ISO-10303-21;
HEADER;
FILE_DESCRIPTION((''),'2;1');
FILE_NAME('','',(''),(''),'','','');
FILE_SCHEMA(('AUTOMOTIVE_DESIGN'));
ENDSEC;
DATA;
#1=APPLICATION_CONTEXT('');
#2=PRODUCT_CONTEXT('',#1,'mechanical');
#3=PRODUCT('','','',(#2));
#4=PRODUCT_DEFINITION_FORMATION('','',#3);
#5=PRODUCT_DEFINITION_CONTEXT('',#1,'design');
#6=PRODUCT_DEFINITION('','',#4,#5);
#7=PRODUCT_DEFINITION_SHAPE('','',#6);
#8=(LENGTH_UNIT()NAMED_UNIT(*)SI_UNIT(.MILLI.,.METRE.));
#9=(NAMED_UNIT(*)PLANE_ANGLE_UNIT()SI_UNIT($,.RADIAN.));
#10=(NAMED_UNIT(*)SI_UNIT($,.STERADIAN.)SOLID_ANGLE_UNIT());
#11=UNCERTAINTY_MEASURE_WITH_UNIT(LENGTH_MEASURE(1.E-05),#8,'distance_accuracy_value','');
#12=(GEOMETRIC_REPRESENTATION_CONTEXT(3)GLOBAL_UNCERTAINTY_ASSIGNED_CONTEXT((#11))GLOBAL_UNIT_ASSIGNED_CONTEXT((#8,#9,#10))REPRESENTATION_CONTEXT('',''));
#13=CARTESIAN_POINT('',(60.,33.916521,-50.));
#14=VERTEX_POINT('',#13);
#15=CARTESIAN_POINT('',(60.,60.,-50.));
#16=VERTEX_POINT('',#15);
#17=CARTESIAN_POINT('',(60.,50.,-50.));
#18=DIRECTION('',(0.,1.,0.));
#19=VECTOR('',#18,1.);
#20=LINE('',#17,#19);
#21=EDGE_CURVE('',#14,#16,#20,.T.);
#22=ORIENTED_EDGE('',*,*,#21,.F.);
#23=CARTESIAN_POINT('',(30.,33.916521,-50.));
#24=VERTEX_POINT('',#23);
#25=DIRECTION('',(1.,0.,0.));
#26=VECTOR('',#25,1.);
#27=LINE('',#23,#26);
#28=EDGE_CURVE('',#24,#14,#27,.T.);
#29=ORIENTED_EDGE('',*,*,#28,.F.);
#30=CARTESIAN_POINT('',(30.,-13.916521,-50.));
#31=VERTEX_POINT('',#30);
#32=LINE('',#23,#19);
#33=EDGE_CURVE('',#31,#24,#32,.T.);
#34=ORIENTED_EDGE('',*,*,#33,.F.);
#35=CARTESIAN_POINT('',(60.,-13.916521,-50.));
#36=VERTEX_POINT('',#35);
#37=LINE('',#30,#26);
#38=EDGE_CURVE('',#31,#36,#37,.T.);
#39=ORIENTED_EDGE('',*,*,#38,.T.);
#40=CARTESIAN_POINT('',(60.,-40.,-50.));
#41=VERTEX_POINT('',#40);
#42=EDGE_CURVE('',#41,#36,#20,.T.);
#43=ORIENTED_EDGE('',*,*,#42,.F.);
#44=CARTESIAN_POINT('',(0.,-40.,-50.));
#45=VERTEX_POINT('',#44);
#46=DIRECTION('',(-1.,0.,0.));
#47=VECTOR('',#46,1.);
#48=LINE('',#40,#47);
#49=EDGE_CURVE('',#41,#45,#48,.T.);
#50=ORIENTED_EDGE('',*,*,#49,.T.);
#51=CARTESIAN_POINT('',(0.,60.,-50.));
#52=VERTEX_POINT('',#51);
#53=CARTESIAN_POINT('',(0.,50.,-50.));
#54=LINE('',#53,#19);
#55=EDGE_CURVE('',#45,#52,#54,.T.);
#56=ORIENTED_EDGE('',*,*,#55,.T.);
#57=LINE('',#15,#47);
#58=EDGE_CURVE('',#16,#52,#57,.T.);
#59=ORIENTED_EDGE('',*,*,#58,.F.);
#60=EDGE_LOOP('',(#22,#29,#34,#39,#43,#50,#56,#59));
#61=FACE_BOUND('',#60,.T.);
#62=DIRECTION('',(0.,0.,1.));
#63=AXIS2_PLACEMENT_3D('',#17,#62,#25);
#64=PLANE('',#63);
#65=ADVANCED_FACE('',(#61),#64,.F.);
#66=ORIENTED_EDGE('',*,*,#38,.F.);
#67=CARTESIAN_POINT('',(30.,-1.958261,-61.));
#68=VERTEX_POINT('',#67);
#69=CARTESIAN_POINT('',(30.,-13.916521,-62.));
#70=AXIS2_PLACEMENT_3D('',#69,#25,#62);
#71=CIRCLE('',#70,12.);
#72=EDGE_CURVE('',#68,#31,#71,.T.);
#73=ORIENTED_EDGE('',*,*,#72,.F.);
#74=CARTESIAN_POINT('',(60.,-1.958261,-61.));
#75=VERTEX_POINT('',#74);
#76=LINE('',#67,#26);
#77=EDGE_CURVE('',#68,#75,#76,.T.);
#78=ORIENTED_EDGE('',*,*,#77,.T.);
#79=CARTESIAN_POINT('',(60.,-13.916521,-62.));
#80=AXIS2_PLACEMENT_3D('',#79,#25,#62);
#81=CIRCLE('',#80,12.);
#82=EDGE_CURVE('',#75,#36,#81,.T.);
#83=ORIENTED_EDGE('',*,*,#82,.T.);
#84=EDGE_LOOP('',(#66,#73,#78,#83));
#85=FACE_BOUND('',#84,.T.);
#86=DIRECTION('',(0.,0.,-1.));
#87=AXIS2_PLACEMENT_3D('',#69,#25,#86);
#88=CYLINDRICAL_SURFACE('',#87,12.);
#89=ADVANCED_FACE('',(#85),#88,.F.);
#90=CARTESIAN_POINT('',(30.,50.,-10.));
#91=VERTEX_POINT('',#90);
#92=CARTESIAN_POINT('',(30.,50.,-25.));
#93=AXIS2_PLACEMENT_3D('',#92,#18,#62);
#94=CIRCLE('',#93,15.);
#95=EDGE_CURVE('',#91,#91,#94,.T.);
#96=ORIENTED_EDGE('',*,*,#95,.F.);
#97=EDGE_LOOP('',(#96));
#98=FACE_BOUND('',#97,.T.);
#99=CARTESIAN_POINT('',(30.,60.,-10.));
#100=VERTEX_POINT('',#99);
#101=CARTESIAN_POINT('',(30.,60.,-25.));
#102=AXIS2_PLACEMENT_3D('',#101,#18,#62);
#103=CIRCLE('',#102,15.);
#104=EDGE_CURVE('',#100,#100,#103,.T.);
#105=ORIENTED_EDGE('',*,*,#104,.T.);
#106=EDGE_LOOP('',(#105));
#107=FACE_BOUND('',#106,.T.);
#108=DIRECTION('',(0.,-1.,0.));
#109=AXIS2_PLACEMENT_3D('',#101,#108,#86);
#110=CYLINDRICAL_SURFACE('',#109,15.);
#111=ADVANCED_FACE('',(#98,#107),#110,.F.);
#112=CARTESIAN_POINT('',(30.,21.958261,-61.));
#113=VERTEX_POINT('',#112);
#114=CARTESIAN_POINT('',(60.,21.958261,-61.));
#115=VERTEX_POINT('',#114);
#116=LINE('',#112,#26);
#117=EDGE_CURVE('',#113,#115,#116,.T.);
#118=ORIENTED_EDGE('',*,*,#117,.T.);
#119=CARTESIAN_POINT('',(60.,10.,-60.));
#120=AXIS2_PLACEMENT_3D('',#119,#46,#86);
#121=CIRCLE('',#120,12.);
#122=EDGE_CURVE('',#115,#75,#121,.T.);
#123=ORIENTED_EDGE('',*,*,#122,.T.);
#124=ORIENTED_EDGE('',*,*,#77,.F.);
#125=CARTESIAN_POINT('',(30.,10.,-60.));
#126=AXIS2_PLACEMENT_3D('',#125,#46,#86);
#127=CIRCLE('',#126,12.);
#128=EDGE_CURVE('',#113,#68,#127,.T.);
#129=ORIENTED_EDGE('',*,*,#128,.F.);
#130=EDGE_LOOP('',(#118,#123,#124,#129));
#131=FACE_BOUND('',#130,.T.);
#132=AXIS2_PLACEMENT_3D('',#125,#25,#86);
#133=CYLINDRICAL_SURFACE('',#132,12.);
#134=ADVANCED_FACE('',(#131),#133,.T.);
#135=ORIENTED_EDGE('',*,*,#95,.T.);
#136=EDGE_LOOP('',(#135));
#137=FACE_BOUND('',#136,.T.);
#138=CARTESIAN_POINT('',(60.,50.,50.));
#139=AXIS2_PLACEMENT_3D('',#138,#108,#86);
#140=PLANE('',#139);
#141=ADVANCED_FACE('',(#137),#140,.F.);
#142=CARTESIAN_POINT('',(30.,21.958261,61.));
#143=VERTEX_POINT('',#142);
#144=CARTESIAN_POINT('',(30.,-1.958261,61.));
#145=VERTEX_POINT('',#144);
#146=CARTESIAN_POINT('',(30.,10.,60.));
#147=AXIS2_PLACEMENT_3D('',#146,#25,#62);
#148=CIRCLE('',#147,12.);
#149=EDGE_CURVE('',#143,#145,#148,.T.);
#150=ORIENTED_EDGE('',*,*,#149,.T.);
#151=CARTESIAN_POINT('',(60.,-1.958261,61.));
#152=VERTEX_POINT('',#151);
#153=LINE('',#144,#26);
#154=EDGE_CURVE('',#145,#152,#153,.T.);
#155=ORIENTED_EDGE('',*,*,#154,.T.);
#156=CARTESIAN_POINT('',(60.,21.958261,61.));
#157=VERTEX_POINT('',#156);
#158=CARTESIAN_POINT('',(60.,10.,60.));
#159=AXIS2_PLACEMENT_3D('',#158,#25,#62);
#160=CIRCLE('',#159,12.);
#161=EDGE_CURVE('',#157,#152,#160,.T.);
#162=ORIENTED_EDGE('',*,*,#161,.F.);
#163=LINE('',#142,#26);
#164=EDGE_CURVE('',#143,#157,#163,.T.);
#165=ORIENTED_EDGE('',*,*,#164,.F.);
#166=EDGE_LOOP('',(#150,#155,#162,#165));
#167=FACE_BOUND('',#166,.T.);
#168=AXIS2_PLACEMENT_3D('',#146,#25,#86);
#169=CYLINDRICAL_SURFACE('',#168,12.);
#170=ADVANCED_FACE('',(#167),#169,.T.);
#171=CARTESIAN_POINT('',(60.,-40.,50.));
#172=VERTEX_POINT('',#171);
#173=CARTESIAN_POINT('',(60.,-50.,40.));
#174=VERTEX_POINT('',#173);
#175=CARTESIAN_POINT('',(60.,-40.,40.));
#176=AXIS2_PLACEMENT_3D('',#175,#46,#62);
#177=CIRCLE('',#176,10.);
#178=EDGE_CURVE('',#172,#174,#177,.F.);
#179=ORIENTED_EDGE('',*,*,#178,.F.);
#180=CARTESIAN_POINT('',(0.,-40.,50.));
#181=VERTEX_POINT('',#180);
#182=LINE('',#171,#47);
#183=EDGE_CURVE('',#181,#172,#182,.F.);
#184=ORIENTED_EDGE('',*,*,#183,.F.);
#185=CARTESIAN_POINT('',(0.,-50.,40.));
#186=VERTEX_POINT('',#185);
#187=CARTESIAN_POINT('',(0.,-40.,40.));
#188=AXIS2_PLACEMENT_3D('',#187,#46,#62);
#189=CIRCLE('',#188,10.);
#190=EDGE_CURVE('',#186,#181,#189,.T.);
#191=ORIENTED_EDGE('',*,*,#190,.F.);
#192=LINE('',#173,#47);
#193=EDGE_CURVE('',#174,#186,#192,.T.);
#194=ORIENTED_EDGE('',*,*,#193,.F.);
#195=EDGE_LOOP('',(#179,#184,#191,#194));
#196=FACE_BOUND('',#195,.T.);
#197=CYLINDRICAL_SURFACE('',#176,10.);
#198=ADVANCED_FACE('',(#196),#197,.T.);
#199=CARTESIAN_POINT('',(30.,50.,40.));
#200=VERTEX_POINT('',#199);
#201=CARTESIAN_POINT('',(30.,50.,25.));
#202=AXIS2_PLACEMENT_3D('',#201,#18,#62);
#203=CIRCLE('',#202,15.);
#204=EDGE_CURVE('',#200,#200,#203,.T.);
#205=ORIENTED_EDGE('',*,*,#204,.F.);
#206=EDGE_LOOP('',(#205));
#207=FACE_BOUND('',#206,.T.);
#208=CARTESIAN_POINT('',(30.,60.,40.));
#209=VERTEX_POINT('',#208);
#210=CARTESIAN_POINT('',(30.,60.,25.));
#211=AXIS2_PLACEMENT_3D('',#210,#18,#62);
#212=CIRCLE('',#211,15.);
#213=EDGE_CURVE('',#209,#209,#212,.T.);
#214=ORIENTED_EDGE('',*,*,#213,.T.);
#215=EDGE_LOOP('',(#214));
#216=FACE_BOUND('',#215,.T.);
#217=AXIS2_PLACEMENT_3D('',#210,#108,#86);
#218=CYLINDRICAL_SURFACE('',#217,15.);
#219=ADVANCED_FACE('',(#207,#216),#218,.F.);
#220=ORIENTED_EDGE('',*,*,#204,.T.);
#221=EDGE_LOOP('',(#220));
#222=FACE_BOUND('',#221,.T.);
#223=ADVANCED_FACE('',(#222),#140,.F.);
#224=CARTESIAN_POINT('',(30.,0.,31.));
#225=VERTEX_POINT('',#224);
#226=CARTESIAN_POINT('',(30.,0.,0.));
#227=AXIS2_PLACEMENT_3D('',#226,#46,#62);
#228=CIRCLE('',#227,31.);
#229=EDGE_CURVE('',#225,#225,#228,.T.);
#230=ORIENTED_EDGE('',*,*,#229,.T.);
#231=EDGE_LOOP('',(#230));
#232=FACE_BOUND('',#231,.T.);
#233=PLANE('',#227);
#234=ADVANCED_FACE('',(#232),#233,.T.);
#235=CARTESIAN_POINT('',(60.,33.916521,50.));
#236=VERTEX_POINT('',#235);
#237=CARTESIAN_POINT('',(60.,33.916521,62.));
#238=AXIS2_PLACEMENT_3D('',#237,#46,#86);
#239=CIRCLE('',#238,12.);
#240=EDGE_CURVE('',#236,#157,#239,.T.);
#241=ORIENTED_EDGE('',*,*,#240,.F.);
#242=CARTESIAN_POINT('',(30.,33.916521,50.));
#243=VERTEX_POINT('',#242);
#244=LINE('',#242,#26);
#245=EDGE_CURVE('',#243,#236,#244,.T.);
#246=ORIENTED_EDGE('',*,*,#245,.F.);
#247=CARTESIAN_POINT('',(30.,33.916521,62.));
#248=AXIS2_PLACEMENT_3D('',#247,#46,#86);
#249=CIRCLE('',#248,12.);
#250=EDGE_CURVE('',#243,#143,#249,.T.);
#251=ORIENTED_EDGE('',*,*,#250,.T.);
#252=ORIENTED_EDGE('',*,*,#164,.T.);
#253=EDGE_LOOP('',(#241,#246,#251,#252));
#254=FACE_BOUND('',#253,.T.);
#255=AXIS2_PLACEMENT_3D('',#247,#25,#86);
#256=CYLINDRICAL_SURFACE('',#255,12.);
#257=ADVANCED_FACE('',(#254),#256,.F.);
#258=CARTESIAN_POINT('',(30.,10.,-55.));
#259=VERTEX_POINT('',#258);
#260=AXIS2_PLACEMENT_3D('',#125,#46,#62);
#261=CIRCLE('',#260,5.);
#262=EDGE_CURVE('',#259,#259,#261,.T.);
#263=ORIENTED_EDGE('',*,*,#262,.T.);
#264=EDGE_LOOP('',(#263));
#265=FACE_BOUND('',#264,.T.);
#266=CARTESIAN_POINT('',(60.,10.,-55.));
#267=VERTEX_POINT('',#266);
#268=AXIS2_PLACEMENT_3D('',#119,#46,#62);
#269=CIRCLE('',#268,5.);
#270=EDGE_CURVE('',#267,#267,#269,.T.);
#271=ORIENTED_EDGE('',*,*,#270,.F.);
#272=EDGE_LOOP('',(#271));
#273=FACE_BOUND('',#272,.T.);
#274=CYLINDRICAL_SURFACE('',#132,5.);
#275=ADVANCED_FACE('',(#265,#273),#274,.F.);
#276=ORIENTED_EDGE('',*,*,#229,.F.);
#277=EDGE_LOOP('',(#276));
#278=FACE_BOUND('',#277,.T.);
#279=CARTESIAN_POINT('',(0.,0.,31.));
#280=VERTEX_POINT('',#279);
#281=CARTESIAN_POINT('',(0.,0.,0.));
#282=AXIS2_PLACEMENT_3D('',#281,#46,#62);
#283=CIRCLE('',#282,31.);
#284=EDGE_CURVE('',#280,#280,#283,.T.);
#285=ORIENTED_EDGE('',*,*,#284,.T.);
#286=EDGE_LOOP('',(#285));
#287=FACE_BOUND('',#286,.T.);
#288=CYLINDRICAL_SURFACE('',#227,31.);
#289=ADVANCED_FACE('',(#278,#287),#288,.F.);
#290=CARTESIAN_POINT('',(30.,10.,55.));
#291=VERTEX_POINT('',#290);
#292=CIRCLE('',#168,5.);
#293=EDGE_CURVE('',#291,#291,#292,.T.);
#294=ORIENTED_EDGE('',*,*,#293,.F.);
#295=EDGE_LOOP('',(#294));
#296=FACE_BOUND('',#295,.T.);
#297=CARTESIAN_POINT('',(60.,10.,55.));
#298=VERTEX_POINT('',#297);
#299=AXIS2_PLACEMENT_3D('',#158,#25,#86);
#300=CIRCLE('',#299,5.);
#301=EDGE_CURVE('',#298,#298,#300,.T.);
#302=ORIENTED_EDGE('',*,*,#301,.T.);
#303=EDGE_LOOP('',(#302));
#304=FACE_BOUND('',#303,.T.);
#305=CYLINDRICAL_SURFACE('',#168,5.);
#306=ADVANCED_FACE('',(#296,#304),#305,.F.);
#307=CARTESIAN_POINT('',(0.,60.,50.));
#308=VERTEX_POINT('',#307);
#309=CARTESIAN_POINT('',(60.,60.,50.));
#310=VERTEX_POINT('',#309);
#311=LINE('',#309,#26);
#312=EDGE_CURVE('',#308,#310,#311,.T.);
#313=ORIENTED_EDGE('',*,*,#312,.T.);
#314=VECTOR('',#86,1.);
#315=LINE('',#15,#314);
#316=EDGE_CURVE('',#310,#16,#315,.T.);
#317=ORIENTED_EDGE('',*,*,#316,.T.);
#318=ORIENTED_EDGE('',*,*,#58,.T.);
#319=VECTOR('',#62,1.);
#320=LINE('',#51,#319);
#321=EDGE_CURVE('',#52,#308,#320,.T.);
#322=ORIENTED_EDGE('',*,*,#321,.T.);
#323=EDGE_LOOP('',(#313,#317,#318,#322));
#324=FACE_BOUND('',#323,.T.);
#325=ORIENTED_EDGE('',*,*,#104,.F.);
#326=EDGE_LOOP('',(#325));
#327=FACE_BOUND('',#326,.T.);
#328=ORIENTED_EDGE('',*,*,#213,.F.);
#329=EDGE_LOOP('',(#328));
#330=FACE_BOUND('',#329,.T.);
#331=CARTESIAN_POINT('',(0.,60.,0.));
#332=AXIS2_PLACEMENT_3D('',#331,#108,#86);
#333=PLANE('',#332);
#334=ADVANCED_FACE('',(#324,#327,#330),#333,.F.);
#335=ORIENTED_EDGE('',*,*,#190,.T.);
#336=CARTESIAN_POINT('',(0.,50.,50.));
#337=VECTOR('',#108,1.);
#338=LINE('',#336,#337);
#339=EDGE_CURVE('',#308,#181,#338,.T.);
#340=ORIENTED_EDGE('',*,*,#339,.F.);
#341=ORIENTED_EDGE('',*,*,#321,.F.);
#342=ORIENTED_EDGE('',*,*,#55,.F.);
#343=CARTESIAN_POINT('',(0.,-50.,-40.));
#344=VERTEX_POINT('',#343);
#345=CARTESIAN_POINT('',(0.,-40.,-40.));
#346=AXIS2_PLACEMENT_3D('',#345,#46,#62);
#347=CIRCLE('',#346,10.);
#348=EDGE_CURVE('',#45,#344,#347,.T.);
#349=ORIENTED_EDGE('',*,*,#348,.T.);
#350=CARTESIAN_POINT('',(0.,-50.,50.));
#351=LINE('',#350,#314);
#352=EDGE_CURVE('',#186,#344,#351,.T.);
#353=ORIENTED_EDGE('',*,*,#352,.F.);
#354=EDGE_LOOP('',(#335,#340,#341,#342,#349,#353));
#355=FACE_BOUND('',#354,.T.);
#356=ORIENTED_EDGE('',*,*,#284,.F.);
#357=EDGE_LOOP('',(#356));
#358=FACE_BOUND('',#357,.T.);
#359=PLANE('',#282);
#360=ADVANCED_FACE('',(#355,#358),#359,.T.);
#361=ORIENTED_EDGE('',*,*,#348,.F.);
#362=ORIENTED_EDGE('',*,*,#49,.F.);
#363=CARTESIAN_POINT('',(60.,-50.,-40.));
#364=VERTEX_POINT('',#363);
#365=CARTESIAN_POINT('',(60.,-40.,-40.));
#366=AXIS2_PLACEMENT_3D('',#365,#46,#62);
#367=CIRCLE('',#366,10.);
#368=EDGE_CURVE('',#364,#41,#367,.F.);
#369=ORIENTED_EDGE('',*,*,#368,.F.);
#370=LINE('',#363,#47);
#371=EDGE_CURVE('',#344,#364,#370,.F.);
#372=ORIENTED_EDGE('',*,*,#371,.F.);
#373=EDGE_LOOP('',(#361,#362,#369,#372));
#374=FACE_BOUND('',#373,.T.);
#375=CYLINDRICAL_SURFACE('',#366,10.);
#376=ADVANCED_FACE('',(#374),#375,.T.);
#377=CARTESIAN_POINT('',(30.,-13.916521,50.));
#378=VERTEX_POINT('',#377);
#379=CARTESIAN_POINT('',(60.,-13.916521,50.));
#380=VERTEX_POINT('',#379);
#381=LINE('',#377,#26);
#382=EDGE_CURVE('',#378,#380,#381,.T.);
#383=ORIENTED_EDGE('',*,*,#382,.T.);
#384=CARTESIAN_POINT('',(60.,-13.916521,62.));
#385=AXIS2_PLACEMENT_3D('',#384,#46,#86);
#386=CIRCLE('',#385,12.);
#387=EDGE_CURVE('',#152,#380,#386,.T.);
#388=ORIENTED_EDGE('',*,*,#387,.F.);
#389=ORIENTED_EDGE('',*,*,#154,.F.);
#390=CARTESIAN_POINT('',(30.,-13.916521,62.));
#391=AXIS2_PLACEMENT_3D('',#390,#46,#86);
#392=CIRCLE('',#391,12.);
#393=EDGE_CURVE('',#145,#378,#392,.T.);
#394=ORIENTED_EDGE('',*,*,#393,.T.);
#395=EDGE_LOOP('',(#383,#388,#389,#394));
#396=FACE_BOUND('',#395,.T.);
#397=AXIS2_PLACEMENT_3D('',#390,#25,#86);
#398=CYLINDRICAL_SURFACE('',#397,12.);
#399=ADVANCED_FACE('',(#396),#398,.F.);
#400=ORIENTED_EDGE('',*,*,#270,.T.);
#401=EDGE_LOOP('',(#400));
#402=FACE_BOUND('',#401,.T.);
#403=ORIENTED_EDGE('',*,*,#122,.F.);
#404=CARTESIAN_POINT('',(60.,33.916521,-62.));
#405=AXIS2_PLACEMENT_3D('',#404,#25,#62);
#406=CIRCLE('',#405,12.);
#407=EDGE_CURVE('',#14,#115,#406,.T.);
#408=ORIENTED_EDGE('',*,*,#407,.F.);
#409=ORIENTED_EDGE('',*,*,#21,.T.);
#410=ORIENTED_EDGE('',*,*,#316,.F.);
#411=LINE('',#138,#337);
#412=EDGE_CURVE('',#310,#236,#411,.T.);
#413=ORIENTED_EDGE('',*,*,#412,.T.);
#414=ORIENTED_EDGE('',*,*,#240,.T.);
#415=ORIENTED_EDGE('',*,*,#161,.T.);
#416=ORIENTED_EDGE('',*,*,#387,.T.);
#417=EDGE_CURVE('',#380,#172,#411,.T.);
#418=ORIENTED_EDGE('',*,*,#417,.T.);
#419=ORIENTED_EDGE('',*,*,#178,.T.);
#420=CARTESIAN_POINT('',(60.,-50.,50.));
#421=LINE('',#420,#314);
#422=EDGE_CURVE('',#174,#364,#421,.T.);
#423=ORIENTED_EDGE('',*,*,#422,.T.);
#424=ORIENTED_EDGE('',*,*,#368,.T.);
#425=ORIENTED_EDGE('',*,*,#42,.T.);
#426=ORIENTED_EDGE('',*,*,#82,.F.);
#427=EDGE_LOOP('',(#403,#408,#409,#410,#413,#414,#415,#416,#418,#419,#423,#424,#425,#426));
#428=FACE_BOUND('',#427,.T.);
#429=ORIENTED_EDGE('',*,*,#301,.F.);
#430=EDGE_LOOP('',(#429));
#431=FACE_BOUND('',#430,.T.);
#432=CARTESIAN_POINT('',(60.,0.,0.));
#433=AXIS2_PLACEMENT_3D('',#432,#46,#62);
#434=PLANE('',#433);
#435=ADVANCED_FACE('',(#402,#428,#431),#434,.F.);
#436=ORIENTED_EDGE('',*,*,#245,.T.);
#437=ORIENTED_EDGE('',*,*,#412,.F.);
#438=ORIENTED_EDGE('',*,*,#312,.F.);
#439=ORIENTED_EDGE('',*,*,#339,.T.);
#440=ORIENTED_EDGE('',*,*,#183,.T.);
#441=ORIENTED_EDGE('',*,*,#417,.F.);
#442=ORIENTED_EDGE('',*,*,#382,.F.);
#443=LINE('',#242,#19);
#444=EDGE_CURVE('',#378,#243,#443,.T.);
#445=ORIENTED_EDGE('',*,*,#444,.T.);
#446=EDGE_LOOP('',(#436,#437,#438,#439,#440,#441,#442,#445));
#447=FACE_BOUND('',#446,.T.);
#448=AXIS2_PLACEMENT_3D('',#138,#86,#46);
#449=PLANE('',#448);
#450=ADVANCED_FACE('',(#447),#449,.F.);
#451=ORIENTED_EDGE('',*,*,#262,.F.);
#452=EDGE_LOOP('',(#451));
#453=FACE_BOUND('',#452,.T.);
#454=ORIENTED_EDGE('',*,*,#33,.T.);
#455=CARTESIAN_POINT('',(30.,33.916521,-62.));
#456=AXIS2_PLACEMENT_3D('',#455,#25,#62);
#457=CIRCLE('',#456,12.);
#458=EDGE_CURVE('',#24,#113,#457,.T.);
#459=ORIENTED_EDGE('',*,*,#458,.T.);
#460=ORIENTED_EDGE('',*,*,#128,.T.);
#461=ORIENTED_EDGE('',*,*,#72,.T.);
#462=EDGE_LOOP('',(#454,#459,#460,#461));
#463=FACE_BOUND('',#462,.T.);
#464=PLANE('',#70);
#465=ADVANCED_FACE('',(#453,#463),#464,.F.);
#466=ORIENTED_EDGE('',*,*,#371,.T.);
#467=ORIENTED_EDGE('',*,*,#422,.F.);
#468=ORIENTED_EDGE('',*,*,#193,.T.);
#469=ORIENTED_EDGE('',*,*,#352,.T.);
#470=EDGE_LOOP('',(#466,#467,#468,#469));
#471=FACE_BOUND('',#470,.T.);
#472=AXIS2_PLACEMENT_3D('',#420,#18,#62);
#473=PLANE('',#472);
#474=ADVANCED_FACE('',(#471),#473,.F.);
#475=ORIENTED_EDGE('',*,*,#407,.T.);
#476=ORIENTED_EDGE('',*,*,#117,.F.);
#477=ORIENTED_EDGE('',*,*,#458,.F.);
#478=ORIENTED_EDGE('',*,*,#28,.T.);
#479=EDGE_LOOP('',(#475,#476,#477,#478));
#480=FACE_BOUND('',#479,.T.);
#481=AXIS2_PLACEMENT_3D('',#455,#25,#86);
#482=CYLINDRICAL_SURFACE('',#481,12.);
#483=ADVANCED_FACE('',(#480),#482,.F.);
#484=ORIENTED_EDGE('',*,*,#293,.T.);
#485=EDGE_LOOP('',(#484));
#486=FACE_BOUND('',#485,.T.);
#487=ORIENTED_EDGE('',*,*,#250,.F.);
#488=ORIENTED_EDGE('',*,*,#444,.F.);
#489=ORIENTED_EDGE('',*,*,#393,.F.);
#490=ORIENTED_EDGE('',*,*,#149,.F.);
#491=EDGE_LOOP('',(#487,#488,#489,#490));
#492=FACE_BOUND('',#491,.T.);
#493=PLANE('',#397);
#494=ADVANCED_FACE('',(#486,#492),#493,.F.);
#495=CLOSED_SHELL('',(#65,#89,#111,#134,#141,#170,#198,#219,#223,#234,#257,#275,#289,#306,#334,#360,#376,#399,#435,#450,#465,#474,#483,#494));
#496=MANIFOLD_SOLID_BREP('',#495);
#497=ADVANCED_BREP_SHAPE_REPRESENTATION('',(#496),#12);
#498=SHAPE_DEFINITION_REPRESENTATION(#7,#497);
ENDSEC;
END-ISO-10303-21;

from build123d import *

# Parameters (mm, degrees)
SKETCH2_W           = 100
SKETCH2_H           = 100
BOSS_EXTRUDE1_DEPTH = 60
SKETCH3_R           = 31
CUT_EXTRUDE1_DEPTH  = 30
FILLET1_R           = 10
SKETCH4_W           = 60
SKETCH4_H           = 100
SKETCH4_R           = 15
BOSS_EXTRUDE2_DEPTH = 10
SKETCH6_R           = 5
BOSS_EXTRUDE3_DEPTH = 30


with BuildPart() as part:
    # Sketch2 → Boss-Extrude1 (new body)
    with BuildSketch(Plane(origin=(0, 0, 0), x_dir=(0, 0, -1), z_dir=(1, 0, 0))):
        Rectangle(SKETCH2_W, SKETCH2_H)
    extrude(amount=BOSS_EXTRUDE1_DEPTH)

    # Sketch3 → Cut-Extrude1 (cut)
    with BuildSketch(Plane.ZY):
        Circle(SKETCH3_R)
    extrude(amount=-CUT_EXTRUDE1_DEPTH, mode=Mode.SUBTRACT)

    # Fillet1
    fillet1_edges = [part.edges().sort_by_distance(p)[0] for p in [
        (30, -50, -50),
        (30, -50, 50),
    ]]
    fillet(fillet1_edges, radius=FILLET1_R)

    # Sketch4 → Boss-Extrude2 (add)
    with BuildSketch(Plane(origin=(0, 50, 0), x_dir=(1, 0, 0), z_dir=(0, 1, 0))):
        with Locations((30, 0)):
            Rectangle(SKETCH4_W, SKETCH4_H)
        with Locations(Location((30, 25, 0), (0, 0, 270))):
            Circle(SKETCH4_R, mode=Mode.SUBTRACT)
        with Locations(Location((30, -25, 0), (0, 0, 270))):
            Circle(SKETCH4_R, mode=Mode.SUBTRACT)
    extrude(amount=BOSS_EXTRUDE2_DEPTH)

    # Sketch6 → Boss-Extrude3 (add)
    with BuildSketch(Plane(origin=(60, 0, 0), x_dir=(0, 0, -1), z_dir=(1, 0, 0))):
        with BuildLine():
            Line((-50, 33.916521486), (-50, -13.916521486))
            ThreePointArc((-50, -13.916521486), (-53.168239134, -5.792483082), (-61, -1.958260743))
            ThreePointArc((-61, -1.958260743), (-72, 10), (-61, 21.958260743))
            ThreePointArc((-61, 21.958260743), (-53.168239134, 25.792483082), (-50, 33.916521486))
        make_face()
        with Locations((-60, 10)):
            Circle(SKETCH6_R, mode=Mode.SUBTRACT)
    boss_extrude3 = extrude(amount=-BOSS_EXTRUDE3_DEPTH)

    # Mirror1: Boss-Extrude3 across plane
    add(boss_extrude3.mirror(Plane(origin=(0, 0, 0), x_dir=(1, 0, 0), z_dir=(0, 0, -1))))


solid = part.part
